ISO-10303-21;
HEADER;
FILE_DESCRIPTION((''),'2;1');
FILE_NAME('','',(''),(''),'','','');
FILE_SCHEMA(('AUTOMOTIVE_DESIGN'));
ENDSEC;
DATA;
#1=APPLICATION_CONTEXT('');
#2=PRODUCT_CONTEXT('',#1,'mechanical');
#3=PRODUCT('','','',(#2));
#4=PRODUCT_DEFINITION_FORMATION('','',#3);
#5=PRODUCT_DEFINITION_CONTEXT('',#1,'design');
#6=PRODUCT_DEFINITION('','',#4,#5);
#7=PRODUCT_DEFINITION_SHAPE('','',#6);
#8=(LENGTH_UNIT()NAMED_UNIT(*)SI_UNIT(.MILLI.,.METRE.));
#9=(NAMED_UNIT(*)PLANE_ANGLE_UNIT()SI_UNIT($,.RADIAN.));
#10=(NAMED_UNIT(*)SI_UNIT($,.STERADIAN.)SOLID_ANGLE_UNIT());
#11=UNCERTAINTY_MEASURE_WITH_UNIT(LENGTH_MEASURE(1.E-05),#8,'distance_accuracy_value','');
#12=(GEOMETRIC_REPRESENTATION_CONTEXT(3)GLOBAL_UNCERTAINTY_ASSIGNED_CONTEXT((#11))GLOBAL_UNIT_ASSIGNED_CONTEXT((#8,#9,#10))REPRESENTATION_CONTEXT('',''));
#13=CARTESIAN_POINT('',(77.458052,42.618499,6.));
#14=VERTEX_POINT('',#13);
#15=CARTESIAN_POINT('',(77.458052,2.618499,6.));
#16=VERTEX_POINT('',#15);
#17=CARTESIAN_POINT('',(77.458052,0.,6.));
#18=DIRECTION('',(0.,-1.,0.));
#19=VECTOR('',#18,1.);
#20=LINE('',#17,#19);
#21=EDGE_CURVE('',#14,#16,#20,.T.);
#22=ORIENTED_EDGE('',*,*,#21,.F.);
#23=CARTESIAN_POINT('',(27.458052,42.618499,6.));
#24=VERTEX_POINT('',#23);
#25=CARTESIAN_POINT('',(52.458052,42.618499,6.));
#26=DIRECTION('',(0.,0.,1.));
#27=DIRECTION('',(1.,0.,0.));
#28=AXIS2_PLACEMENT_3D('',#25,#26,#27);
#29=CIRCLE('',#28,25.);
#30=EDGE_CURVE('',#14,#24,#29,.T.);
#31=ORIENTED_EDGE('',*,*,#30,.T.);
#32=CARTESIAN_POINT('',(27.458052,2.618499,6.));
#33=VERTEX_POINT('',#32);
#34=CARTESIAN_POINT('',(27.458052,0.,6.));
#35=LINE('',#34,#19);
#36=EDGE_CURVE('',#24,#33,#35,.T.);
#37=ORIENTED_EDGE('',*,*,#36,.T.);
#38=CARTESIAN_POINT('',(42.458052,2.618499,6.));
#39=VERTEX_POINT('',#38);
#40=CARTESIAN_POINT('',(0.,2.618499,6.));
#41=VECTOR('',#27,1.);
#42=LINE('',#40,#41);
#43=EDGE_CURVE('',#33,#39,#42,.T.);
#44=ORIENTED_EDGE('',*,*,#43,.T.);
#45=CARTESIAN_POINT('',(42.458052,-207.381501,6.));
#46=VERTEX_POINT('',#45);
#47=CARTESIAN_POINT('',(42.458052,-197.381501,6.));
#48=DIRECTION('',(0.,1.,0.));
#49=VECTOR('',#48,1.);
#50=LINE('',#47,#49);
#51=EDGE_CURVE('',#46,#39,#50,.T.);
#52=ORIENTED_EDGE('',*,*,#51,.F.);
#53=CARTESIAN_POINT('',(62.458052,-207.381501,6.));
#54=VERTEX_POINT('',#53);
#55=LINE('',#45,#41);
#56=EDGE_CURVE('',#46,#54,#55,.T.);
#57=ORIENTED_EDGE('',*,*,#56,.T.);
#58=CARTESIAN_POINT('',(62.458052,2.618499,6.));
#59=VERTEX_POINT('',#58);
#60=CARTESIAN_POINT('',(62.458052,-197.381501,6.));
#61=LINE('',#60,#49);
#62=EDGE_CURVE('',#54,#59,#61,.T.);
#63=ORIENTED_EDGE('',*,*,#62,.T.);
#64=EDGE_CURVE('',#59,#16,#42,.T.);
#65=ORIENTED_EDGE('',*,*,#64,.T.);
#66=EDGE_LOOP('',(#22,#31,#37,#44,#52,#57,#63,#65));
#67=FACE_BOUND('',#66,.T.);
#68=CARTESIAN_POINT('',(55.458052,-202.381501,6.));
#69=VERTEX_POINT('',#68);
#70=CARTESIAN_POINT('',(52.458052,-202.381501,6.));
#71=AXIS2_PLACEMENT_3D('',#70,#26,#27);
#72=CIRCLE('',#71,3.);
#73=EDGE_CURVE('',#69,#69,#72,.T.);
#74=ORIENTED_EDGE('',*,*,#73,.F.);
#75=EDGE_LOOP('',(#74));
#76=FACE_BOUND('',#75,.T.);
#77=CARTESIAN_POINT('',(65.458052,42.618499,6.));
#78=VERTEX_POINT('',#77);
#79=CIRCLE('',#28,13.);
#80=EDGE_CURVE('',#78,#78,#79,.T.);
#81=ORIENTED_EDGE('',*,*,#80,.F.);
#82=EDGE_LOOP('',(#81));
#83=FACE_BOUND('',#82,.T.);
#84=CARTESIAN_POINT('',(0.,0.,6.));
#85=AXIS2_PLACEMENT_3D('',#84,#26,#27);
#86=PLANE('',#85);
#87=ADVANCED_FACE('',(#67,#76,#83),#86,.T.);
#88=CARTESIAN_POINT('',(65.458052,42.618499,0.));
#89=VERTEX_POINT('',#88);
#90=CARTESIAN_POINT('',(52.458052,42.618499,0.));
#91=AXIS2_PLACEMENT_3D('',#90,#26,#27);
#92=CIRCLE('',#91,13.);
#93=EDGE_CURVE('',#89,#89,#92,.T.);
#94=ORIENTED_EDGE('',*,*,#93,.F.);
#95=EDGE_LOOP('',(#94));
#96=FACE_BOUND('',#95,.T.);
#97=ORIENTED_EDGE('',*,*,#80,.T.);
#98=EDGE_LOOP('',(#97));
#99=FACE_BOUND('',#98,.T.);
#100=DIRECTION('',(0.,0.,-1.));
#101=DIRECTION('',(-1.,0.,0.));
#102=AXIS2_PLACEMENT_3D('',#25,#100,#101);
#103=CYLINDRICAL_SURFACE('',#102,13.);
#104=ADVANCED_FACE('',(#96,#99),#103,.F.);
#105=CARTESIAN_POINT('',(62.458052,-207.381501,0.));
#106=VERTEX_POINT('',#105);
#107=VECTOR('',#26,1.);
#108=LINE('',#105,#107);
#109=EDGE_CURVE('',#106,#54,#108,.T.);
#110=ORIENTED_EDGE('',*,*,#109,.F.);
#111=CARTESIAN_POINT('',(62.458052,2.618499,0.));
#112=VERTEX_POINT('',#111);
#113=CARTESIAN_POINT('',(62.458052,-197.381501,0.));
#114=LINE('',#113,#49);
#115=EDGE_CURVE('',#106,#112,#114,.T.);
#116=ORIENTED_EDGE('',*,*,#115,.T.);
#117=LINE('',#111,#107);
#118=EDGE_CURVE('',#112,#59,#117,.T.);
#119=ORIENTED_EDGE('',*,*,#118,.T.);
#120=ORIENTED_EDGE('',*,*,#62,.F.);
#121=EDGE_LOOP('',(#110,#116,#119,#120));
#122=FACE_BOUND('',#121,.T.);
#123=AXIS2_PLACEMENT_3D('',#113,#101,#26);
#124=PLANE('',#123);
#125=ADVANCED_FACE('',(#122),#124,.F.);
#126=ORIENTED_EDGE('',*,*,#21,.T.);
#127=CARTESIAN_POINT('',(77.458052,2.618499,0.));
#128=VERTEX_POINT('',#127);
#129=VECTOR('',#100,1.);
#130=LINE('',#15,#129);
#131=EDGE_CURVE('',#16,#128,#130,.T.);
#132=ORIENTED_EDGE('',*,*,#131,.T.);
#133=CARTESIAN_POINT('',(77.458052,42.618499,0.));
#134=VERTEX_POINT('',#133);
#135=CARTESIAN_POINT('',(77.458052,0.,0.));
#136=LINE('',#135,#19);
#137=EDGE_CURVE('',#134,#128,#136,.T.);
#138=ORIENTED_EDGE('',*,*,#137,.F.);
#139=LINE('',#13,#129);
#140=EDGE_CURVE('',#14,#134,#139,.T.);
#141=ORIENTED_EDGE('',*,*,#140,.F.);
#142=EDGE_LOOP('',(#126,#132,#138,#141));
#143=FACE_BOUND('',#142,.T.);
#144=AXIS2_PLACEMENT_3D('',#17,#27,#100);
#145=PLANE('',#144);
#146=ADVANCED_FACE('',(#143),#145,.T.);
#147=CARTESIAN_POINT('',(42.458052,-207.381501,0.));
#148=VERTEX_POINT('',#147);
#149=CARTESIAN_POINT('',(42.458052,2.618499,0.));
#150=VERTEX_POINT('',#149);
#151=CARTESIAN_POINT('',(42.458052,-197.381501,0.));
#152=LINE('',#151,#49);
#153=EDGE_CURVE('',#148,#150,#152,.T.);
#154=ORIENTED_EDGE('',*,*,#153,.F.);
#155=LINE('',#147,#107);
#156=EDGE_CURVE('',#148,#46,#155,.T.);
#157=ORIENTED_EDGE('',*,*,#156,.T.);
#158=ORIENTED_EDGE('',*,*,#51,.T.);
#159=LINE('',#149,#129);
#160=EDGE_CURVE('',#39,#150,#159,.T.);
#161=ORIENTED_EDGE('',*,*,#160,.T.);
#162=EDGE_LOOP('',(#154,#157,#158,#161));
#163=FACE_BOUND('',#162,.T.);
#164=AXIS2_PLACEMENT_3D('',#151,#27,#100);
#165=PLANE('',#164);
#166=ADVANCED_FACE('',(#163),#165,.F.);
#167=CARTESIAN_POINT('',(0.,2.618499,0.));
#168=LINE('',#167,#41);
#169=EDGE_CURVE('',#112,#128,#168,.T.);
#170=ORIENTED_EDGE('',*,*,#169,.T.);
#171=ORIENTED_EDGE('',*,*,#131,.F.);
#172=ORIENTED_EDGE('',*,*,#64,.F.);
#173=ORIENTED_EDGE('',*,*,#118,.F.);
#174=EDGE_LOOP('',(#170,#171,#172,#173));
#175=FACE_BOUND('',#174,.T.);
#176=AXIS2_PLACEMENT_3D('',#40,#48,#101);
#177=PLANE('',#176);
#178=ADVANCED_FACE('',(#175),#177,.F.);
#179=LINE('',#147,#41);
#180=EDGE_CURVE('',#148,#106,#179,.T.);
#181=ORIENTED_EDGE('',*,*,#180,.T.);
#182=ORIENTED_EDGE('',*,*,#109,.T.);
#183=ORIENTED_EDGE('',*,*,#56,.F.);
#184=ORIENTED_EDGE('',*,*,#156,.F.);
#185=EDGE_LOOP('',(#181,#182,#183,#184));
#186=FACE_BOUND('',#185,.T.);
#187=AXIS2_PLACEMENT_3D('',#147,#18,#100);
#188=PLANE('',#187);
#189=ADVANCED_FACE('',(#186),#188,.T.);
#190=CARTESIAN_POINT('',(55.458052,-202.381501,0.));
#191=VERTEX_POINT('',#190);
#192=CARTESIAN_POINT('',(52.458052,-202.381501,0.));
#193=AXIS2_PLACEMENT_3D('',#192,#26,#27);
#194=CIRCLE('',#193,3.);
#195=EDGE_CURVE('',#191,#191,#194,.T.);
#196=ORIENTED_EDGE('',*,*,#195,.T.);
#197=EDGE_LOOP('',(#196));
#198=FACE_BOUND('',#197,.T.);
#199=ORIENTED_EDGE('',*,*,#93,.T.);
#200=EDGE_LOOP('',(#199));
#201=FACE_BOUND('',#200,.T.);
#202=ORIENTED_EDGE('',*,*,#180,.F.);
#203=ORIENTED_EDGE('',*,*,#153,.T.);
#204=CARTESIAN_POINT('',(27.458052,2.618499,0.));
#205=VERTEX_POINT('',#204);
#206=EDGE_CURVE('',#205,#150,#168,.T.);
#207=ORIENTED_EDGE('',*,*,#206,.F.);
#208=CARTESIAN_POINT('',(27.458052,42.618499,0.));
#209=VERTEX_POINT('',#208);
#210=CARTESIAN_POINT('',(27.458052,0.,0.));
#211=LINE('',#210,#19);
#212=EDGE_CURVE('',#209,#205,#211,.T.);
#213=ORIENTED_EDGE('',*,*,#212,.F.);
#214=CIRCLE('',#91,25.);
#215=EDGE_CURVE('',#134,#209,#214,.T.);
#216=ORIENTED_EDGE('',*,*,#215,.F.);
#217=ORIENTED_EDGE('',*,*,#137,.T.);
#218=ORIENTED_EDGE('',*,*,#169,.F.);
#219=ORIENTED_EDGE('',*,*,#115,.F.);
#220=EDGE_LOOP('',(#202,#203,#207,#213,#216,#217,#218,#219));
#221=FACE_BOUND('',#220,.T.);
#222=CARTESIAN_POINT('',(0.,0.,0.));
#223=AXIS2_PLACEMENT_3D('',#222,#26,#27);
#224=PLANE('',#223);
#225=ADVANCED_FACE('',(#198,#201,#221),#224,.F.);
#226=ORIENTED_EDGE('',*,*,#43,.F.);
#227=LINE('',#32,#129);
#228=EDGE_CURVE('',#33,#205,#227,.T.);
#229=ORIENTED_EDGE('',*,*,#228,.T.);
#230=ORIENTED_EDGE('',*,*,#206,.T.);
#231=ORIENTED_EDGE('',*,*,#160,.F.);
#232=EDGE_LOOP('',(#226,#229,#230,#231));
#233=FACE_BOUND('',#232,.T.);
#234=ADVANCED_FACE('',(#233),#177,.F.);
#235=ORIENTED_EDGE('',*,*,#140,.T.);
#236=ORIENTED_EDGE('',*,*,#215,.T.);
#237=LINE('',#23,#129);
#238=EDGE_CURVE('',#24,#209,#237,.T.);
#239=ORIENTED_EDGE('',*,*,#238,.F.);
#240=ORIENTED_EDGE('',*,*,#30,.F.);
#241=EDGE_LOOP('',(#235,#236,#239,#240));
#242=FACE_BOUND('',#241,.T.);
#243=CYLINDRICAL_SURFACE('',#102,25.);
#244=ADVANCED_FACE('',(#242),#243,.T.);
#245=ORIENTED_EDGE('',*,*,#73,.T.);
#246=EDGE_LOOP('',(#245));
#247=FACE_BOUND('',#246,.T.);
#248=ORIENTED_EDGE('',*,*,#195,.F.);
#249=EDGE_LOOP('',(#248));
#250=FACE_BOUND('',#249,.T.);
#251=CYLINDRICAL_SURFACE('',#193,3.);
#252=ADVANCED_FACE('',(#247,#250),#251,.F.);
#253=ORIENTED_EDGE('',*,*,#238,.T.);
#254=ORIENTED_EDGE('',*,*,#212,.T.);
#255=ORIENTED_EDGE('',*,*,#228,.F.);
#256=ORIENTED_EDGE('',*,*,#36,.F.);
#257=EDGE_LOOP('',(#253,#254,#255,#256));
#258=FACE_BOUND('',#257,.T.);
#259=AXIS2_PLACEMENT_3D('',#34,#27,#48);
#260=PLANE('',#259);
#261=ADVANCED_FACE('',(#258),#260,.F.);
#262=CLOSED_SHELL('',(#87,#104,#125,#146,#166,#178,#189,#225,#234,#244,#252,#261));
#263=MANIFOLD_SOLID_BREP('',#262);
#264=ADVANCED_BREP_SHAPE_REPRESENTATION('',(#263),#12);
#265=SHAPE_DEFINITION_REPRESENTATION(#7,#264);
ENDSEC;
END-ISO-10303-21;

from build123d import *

# Parameters (mm, degrees)
SKETCH1_R           = 13
BOSS_EXTRUDE3_DEPTH = 6
SKETCH3_W           = 20
SKETCH3_H           = 6
BOSS_EXTRUDE4_DEPTH = 200
SKETCH5_W           = 20
SKETCH5_H           = 10
SKETCH5_R           = 3
BOSS_EXTRUDE5_DEPTH = 6


with BuildPart() as part:
    # Sketch1 → Boss-Extrude3 (new body)
    with BuildSketch(Plane.XY):
        with BuildLine():
            Line((77.458052403, 42.618499055), (77.458052403, 2.618499055))
            Line((77.458052403, 2.618499055), (27.458052403, 2.618499055))
            Line((27.458052403, 2.618499055), (27.458052403, 42.618499055))
            ThreePointArc((27.458052403, 42.618499055), (52.458052403, 67.618499055), (77.458052403, 42.618499055))
        make_face()
        with Locations((52.458052403, 42.618499055)):
            Circle(SKETCH1_R, mode=Mode.SUBTRACT)
    extrude(amount=BOSS_EXTRUDE3_DEPTH)

    # Sketch3 → Boss-Extrude4 (add)
    with BuildSketch(Plane.XZ.offset(-2.618499055)):
        with Locations((52.458052403, 3)):
            Rectangle(SKETCH3_W, SKETCH3_H)
    extrude(amount=BOSS_EXTRUDE4_DEPTH)

    # Sketch5 → Boss-Extrude5 (add)
    with BuildSketch(Plane.XY.offset(6)):
        with Locations((52.458052403, -202.381500945)):
            Rectangle(SKETCH5_W, SKETCH5_H)
        with Locations((52.458052403, -202.381500945)):
            Circle(SKETCH5_R, mode=Mode.SUBTRACT)
    extrude(amount=-BOSS_EXTRUDE5_DEPTH)


solid = part.part
